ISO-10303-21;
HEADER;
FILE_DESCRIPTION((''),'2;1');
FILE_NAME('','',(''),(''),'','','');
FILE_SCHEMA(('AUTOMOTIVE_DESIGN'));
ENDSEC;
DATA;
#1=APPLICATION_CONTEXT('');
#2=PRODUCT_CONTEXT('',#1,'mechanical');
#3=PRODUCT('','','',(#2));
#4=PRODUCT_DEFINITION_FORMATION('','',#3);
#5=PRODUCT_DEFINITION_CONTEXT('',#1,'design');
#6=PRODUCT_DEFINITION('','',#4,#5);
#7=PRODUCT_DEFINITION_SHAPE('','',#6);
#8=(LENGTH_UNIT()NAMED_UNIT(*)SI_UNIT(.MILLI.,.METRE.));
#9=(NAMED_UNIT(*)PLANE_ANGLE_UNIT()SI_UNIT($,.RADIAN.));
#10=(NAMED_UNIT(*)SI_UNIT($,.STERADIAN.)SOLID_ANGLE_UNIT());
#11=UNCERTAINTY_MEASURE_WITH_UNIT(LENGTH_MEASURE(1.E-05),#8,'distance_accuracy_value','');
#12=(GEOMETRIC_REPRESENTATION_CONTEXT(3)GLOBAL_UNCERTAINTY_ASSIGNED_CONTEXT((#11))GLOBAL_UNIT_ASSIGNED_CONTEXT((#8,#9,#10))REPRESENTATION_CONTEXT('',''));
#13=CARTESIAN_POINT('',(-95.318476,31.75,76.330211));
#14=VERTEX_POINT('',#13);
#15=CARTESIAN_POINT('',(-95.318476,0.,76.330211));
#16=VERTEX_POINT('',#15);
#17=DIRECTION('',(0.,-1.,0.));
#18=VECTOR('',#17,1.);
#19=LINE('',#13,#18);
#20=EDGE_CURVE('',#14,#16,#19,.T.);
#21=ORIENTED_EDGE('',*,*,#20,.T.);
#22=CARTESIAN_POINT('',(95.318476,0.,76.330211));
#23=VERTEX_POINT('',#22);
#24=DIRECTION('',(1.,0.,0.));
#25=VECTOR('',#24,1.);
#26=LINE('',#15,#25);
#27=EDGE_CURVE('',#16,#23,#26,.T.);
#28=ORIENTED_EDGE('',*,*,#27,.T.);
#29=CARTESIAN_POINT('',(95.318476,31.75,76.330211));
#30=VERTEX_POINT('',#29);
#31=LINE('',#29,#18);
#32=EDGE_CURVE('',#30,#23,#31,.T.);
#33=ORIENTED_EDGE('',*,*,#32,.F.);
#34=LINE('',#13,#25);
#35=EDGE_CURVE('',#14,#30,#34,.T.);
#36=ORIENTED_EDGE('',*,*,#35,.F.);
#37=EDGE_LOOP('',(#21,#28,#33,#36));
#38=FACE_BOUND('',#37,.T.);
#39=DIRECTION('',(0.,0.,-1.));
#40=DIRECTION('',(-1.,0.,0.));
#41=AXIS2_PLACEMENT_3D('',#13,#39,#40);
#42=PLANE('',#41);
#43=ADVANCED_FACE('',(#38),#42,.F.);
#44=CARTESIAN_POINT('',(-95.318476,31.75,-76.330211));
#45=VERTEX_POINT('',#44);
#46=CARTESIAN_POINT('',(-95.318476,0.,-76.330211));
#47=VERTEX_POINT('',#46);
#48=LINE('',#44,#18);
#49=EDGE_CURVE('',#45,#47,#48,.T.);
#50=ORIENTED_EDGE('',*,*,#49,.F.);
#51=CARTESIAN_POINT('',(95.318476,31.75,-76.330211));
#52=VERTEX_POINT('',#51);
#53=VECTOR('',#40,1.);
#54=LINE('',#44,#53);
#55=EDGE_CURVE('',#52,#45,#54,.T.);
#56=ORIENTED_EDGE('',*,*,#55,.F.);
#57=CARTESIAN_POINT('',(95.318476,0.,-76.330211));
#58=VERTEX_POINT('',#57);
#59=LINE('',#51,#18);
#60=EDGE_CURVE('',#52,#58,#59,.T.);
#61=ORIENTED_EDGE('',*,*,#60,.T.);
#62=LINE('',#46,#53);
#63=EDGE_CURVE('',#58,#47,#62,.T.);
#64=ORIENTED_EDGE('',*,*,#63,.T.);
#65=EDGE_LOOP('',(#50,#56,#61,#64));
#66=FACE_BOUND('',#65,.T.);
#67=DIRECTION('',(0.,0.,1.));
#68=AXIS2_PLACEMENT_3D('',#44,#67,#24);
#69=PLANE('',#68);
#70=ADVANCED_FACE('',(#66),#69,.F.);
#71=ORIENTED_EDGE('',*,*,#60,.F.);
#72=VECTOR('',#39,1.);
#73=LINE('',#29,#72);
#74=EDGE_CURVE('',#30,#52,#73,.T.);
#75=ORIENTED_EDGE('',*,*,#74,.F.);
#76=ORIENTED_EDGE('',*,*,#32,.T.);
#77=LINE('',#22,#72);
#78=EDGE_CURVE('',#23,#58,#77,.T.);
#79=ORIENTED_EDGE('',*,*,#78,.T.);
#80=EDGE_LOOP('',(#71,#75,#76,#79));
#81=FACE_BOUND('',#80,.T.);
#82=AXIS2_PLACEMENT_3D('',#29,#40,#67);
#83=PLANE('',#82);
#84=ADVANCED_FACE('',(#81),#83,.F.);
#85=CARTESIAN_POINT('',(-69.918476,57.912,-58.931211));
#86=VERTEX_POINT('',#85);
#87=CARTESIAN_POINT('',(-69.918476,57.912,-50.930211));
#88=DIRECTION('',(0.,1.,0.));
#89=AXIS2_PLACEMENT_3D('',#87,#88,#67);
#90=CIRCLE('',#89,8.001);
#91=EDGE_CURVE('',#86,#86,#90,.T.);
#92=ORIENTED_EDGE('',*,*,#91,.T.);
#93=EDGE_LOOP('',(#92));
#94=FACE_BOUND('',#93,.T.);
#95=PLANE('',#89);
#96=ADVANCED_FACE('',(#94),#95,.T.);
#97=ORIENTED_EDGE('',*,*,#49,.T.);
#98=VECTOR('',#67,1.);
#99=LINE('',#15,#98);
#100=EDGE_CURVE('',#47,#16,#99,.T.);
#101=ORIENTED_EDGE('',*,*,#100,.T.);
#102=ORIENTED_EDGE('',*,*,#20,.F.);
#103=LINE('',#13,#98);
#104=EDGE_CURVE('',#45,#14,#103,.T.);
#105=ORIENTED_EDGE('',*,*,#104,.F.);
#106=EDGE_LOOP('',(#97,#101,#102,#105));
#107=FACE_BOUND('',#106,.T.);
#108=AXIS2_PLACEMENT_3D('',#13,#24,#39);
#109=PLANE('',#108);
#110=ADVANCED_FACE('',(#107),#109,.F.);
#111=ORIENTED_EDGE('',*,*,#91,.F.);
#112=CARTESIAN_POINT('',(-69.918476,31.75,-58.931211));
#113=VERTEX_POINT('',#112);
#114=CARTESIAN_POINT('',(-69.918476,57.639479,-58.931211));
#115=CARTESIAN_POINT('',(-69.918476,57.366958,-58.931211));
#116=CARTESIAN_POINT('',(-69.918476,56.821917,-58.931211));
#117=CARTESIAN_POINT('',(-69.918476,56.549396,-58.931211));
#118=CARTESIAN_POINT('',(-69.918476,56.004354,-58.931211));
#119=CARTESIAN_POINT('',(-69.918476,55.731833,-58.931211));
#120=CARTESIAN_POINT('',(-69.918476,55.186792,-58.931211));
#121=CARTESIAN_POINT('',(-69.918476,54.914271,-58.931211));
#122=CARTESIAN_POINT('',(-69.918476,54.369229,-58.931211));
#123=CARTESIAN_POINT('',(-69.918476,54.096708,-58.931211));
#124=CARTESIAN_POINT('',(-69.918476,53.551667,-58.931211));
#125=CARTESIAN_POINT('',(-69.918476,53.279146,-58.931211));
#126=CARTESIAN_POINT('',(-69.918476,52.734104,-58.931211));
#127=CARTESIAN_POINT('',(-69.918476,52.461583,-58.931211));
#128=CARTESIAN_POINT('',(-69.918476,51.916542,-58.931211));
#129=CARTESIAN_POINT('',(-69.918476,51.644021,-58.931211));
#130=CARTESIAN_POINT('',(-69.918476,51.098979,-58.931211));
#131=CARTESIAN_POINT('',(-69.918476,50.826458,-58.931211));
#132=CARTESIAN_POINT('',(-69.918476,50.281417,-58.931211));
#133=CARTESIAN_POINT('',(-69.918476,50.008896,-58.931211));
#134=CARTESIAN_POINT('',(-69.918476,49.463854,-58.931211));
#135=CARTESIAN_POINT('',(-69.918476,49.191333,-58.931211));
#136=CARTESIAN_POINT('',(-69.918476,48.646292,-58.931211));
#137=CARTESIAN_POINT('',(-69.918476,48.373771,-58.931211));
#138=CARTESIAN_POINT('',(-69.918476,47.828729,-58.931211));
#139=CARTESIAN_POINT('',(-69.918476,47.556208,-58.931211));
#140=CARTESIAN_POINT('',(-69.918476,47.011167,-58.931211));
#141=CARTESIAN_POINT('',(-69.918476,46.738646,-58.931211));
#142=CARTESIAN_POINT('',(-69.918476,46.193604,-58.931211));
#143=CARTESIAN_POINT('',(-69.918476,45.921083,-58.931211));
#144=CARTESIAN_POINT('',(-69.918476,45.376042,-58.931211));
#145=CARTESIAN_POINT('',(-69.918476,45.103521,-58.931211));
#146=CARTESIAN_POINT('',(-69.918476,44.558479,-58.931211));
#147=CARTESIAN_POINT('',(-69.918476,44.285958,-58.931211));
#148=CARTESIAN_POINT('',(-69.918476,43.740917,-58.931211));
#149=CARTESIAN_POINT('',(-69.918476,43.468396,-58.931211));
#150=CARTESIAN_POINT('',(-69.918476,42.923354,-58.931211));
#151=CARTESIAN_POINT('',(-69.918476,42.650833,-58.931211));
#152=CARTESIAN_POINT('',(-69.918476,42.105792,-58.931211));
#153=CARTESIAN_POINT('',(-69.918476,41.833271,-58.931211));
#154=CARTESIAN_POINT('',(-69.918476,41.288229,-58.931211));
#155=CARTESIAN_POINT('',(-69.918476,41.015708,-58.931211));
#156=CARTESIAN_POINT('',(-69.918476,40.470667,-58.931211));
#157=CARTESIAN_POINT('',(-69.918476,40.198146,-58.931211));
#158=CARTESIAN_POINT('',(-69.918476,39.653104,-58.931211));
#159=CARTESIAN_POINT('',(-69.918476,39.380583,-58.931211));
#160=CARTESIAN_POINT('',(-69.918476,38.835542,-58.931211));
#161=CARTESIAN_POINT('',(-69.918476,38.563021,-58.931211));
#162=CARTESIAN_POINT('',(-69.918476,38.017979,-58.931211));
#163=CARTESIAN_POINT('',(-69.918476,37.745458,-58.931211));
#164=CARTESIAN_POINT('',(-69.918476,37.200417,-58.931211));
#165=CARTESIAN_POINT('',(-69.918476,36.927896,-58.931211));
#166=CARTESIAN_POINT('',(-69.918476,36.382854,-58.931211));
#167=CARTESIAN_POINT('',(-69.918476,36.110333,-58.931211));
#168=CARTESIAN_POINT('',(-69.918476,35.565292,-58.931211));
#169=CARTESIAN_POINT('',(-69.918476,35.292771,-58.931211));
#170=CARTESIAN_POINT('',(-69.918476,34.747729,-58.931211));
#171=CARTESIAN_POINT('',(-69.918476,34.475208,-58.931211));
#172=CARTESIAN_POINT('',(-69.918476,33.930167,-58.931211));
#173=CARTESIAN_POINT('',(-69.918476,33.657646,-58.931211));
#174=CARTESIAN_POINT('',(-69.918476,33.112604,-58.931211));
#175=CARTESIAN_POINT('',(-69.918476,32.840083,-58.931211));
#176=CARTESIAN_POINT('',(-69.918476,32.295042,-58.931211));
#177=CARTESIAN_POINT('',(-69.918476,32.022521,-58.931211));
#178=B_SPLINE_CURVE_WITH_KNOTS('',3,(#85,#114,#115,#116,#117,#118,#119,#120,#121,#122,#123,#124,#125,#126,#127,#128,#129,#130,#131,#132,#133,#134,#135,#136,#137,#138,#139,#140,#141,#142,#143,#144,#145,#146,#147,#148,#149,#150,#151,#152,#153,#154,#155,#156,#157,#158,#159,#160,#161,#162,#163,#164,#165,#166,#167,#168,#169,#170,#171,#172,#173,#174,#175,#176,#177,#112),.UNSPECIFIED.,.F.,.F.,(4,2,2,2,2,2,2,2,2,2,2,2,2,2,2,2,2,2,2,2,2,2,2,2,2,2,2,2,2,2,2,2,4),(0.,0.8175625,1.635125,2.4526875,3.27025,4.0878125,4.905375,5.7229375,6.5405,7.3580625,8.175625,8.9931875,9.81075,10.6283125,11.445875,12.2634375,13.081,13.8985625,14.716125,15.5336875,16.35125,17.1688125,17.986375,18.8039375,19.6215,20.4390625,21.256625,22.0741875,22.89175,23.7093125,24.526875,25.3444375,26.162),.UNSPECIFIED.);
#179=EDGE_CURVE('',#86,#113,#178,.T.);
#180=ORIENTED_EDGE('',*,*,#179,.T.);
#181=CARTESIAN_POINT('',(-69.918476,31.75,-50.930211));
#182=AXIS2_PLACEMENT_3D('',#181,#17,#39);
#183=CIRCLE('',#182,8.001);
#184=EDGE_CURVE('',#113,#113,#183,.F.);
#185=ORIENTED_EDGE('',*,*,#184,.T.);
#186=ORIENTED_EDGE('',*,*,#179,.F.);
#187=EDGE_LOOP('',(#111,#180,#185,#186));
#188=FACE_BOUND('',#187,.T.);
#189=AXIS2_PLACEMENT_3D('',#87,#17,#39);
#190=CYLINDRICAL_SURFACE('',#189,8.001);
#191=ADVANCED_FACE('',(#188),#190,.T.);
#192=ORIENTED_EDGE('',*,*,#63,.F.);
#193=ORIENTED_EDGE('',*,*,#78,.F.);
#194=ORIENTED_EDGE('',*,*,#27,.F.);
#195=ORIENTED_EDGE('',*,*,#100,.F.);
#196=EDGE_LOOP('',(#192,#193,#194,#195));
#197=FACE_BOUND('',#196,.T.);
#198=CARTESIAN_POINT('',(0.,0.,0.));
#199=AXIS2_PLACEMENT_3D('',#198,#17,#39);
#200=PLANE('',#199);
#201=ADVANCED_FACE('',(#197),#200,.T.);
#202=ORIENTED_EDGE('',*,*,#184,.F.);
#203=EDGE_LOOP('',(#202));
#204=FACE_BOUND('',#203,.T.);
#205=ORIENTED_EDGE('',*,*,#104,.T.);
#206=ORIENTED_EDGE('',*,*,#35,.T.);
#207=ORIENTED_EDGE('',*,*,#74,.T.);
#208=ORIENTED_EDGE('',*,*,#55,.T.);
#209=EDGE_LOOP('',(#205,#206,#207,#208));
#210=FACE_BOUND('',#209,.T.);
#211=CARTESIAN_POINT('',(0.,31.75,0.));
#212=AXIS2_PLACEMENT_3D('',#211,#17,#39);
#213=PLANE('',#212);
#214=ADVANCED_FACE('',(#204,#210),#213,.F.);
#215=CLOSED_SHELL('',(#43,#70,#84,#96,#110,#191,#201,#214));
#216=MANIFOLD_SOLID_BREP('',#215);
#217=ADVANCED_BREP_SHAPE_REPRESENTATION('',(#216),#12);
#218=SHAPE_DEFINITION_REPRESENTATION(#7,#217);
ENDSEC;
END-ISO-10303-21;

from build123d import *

# Parameters (mm, degrees)
SKETCH1_W           = 190.636951824
SKETCH1_H           = 152.660422476
BOSS_EXTRUDE1_DEPTH = 31.75
SKETCH7_R           = 8.001
BOSS_EXTRUDE2_DEPTH = 26.162


with BuildPart() as part:
    # Sketch1 → Boss-Extrude1 (new body)
    with BuildSketch(Plane(origin=(0, 0, 0), x_dir=(1, 0, 0), z_dir=(0, 1, 0))):
        Rectangle(SKETCH1_W, SKETCH1_H)
    extrude(amount=BOSS_EXTRUDE1_DEPTH)

    # Sketch7 → Boss-Extrude2 (add)
    with BuildSketch(Plane(origin=(0, 31.75, 0), x_dir=(1, 0, 0), z_dir=(0, 1, 0))):
        with Locations(Location((-69.918475912, 50.930211238, 0), (0, 0, 90))):
            Circle(SKETCH7_R)
    extrude(amount=BOSS_EXTRUDE2_DEPTH)


solid = part.part
